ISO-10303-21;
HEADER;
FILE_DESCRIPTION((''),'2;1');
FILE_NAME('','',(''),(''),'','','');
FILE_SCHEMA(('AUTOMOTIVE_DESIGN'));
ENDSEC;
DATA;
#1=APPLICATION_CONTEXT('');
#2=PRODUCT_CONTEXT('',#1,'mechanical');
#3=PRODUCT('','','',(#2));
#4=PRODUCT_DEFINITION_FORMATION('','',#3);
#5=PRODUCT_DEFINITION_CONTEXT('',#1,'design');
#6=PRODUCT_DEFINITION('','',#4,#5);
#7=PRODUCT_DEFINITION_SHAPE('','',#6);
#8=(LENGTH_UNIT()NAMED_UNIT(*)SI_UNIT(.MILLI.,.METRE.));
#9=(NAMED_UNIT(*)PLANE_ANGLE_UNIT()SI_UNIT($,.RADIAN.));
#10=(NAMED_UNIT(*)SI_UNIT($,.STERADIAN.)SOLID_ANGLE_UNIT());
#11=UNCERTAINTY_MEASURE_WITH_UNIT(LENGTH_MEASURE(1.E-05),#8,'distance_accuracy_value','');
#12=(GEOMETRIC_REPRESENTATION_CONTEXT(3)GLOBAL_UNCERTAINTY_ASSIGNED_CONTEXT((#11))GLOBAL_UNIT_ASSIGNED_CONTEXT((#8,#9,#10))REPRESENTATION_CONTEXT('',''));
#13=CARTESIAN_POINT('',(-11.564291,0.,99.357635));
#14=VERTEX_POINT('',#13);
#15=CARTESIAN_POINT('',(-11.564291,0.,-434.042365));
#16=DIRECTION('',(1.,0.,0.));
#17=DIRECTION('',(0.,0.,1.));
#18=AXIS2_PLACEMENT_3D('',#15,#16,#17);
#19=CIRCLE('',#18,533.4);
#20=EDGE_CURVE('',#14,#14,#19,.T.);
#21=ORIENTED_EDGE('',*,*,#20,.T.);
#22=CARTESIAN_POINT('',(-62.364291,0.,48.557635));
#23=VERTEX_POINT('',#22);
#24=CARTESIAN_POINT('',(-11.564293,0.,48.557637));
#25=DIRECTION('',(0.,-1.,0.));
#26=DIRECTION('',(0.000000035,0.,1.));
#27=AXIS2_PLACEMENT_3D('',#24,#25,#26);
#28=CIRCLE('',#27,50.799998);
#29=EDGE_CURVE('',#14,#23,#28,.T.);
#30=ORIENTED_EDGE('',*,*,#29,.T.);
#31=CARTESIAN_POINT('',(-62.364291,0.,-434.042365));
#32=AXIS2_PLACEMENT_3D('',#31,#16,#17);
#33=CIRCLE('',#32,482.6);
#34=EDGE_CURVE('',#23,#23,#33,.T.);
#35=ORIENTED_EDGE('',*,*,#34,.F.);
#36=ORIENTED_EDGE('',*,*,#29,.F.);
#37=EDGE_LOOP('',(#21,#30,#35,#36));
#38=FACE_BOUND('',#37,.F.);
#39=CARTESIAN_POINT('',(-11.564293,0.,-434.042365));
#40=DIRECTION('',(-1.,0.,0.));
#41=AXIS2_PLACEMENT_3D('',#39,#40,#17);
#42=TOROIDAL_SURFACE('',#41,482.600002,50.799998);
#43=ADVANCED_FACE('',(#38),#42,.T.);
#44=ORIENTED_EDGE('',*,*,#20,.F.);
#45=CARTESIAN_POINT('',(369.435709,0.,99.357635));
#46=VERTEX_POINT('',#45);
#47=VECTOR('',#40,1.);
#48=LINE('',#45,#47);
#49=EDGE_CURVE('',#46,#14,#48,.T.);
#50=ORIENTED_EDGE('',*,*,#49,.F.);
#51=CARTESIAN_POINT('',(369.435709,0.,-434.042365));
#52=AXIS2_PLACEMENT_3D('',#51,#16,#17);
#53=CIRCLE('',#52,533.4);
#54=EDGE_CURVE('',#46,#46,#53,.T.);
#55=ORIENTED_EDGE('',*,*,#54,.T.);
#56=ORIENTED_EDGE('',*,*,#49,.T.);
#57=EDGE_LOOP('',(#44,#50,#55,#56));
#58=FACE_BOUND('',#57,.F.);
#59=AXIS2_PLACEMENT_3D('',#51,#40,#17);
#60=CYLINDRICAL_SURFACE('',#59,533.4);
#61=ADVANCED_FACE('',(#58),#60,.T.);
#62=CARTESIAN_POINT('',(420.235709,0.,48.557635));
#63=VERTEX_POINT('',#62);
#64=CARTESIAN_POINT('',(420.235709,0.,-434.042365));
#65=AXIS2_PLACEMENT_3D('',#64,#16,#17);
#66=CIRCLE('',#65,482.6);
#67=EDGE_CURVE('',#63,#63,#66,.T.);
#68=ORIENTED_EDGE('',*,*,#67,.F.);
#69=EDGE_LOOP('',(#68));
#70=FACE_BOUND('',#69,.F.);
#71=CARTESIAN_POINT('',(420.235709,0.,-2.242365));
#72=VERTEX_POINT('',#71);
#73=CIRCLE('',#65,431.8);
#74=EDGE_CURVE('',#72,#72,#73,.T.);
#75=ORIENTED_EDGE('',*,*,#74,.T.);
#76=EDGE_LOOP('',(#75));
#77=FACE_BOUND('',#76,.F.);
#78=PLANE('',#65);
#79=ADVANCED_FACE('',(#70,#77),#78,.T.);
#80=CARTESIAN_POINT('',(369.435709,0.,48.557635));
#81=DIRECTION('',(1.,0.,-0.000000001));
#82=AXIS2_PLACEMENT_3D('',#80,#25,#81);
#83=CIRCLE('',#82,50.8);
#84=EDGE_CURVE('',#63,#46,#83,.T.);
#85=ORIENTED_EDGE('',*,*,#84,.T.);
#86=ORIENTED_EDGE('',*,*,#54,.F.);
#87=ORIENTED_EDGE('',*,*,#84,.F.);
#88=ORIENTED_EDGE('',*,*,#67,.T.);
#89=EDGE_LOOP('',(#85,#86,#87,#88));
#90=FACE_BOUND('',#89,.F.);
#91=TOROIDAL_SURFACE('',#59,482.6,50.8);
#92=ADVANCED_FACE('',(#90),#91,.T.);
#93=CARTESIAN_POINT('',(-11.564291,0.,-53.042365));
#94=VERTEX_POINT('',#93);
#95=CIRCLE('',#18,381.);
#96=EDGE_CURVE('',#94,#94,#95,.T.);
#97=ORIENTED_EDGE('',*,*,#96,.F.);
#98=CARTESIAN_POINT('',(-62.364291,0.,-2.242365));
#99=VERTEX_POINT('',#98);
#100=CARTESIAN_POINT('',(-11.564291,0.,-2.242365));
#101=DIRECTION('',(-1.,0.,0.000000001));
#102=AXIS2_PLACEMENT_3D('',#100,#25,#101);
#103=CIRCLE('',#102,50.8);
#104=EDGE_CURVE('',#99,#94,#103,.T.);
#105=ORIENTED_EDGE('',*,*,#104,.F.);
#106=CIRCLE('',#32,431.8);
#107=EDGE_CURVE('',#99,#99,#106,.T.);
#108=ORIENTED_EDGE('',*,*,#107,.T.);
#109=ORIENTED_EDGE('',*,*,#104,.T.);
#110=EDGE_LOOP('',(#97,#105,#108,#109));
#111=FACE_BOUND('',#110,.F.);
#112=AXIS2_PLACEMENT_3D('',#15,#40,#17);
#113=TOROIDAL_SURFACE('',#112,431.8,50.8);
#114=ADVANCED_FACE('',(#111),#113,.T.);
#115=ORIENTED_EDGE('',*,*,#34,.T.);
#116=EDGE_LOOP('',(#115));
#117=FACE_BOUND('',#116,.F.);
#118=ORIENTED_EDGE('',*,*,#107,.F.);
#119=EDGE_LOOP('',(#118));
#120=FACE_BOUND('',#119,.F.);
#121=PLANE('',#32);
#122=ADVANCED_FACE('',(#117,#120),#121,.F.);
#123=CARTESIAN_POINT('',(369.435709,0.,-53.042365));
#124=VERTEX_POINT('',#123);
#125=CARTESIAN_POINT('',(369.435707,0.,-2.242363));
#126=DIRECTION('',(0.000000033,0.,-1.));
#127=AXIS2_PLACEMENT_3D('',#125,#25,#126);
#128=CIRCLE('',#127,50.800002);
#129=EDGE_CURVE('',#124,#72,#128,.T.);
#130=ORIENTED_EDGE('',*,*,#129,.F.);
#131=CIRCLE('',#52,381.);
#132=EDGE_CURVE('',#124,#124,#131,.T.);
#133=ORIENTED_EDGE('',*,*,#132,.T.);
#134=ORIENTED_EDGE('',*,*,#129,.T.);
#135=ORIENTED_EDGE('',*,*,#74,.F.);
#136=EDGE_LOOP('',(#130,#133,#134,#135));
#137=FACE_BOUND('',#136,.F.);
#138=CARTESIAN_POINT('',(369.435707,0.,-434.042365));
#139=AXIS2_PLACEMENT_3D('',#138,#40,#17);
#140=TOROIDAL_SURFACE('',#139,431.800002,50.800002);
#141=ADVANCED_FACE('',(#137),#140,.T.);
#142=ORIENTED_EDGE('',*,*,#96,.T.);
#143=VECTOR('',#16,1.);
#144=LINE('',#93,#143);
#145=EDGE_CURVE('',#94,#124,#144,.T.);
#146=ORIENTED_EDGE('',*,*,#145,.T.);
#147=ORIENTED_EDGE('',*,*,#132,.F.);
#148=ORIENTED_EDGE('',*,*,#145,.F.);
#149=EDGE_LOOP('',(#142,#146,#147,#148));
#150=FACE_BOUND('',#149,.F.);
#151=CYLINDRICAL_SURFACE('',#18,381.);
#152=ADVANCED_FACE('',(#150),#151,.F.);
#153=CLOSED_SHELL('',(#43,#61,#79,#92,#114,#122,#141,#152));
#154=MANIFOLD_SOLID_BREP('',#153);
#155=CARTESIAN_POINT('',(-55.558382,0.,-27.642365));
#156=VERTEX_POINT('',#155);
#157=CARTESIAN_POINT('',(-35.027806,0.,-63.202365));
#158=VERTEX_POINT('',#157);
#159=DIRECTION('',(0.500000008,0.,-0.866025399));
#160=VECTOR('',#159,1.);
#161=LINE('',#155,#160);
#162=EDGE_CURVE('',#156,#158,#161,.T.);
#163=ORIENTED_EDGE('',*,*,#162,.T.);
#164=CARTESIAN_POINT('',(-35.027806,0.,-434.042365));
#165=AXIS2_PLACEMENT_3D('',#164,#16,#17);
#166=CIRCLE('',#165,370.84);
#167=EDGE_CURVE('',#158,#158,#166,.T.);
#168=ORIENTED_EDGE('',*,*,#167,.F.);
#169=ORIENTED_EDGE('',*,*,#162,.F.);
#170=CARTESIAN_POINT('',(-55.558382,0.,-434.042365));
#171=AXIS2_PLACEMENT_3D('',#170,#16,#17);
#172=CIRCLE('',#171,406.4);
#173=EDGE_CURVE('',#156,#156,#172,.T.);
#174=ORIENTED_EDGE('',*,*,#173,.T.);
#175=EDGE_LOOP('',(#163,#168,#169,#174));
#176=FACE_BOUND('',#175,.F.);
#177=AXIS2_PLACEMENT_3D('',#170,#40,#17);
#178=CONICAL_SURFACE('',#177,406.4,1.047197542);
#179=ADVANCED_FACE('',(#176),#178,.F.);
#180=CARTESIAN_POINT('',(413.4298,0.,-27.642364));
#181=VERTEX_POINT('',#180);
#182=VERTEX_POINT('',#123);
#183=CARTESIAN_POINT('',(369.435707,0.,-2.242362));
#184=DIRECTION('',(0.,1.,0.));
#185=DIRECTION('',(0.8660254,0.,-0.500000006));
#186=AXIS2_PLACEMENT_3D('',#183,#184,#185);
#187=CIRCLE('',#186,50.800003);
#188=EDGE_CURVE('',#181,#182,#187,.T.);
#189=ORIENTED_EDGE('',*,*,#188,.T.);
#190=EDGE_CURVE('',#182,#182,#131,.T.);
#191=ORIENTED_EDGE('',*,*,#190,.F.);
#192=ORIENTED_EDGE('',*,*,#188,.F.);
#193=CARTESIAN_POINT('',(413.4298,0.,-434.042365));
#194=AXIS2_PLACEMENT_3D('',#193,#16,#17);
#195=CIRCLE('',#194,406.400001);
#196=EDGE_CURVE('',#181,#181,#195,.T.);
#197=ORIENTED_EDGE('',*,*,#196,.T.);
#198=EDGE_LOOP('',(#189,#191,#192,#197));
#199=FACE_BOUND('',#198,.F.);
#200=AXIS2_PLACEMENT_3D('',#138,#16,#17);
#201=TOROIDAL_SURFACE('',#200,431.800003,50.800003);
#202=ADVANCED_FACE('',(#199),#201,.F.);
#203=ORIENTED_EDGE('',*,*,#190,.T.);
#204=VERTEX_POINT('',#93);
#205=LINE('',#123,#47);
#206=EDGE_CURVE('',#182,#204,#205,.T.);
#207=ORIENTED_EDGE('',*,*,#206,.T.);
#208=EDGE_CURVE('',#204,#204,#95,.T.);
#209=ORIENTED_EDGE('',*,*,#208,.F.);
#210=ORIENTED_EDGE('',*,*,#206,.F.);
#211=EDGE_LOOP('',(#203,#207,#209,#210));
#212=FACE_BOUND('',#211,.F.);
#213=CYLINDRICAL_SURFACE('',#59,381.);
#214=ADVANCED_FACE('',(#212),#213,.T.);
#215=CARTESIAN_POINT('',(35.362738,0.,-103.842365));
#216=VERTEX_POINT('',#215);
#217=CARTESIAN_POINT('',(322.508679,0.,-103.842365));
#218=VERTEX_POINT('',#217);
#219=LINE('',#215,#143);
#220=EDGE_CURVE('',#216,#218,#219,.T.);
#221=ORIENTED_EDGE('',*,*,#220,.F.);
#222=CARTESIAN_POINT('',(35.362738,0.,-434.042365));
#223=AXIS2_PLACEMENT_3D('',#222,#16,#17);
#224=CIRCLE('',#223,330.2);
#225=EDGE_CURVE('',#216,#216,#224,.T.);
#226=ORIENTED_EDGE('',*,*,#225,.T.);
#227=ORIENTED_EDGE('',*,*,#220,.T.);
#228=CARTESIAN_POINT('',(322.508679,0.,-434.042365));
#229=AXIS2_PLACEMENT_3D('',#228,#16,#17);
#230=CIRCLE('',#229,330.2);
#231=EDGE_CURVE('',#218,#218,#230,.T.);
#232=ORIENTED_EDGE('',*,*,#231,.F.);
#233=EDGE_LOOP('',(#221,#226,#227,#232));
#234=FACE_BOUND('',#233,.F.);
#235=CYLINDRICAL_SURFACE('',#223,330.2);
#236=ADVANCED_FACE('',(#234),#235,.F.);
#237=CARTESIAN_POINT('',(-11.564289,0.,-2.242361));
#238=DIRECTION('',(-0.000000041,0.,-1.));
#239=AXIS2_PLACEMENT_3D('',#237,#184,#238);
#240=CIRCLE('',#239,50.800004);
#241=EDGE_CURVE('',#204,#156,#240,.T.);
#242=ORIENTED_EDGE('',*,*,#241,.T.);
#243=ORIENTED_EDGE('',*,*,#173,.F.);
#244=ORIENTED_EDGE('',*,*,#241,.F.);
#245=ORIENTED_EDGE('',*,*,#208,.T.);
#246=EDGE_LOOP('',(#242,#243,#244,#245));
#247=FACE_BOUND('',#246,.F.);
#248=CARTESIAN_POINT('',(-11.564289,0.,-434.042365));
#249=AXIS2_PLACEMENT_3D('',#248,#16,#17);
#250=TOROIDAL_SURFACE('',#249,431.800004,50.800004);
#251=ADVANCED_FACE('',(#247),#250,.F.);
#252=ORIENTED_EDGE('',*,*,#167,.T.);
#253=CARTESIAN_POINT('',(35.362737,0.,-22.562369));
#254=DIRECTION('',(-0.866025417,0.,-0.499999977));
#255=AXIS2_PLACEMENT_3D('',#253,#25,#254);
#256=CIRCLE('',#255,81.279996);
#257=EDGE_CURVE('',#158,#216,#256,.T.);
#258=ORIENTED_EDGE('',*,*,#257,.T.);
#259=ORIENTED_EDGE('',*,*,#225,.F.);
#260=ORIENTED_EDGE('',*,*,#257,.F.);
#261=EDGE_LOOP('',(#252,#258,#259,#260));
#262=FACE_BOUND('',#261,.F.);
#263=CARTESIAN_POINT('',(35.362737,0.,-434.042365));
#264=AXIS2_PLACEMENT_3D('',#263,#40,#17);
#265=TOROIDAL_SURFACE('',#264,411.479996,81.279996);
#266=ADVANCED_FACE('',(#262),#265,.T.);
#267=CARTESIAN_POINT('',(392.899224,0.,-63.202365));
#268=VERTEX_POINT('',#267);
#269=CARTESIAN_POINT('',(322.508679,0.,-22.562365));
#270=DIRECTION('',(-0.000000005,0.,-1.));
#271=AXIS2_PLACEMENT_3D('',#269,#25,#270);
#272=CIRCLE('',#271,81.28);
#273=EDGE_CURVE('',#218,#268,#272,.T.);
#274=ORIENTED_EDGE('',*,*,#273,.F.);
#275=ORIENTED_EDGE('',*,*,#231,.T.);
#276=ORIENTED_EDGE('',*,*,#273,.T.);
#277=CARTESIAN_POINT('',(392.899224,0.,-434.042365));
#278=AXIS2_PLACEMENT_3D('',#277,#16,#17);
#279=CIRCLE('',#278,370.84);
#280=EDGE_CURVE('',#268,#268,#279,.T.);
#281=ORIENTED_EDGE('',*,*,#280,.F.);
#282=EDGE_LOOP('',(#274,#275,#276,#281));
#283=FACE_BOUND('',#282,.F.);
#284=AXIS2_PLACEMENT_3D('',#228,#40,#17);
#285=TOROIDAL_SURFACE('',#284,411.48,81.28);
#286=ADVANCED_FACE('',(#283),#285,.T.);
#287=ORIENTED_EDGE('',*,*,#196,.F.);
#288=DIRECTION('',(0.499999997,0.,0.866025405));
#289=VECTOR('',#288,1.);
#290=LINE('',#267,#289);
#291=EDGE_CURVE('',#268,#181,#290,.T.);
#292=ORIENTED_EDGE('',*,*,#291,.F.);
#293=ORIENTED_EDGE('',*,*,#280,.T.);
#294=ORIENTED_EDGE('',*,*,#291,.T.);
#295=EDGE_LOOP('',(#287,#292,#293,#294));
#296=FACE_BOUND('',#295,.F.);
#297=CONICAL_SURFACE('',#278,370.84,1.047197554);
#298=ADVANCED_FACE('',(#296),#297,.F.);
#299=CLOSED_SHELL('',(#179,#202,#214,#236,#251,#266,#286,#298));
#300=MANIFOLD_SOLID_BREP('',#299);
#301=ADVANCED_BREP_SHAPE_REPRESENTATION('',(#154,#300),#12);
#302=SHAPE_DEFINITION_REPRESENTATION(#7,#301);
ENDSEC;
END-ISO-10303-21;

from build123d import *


with BuildPart() as f1:
    # F0 (on Front) → F1 (revolve)
    with BuildSketch(Plane.XZ):
        with BuildLine():
            Line((369.435709, 99.357635), (-11.564291, 99.357635))
            ThreePointArc((-11.564291, 99.357635), (-47.485316, 84.47866), (-62.364291, 48.557635))
            Line((-62.364291, 48.557635), (-62.364291, -2.242365))
            ThreePointArc((-62.364291, -2.242365), (-47.485316, -38.163389), (-11.564291, -53.042365))
            Line((-11.564291, -53.042365), (369.435709, -53.042365))
            ThreePointArc((369.435709, -53.042365), (405.356733, -38.163389), (420.235709, -2.242365))
            Line((420.235709, -2.242365), (420.235709, 48.557635))
            ThreePointArc((420.235709, 48.557635), (405.356733, 84.47866), (369.435709, 99.357635))
        make_face()
    revolve(axis=Axis((131.612428, 0, -434.042365), (1, 0, 0)))


with BuildPart() as f3:
    # F2 (on face) → F3 (revolve)
    with BuildSketch(Plane.XZ):
        with BuildLine():
            Line((392.899224, -63.202365), (413.4298, -27.642364))
            ThreePointArc((413.4298, -27.642364), (394.835709, -46.236455), (369.435709, -53.042365))
            Line((369.435709, -53.042365), (-11.564291, -53.042365))
            ThreePointArc((-11.564291, -53.042365), (-36.964291, -46.236455), (-55.558382, -27.642365))
            Line((-55.558382, -27.642365), (-35.027806, -63.202365))
            ThreePointArc((-35.027806, -63.202365), (-5.277262, -92.95291), (35.362738, -103.842365))
            Line((35.362738, -103.842365), (322.508679, -103.842365))
            ThreePointArc((322.508679, -103.842365), (363.148679, -92.95291), (392.899224, -63.202365))
        make_face()
    revolve(axis=Axis((131.612428, 0, -434.042365), (1, 0, 0)))


solid = Compound([f1.part, f3.part])
